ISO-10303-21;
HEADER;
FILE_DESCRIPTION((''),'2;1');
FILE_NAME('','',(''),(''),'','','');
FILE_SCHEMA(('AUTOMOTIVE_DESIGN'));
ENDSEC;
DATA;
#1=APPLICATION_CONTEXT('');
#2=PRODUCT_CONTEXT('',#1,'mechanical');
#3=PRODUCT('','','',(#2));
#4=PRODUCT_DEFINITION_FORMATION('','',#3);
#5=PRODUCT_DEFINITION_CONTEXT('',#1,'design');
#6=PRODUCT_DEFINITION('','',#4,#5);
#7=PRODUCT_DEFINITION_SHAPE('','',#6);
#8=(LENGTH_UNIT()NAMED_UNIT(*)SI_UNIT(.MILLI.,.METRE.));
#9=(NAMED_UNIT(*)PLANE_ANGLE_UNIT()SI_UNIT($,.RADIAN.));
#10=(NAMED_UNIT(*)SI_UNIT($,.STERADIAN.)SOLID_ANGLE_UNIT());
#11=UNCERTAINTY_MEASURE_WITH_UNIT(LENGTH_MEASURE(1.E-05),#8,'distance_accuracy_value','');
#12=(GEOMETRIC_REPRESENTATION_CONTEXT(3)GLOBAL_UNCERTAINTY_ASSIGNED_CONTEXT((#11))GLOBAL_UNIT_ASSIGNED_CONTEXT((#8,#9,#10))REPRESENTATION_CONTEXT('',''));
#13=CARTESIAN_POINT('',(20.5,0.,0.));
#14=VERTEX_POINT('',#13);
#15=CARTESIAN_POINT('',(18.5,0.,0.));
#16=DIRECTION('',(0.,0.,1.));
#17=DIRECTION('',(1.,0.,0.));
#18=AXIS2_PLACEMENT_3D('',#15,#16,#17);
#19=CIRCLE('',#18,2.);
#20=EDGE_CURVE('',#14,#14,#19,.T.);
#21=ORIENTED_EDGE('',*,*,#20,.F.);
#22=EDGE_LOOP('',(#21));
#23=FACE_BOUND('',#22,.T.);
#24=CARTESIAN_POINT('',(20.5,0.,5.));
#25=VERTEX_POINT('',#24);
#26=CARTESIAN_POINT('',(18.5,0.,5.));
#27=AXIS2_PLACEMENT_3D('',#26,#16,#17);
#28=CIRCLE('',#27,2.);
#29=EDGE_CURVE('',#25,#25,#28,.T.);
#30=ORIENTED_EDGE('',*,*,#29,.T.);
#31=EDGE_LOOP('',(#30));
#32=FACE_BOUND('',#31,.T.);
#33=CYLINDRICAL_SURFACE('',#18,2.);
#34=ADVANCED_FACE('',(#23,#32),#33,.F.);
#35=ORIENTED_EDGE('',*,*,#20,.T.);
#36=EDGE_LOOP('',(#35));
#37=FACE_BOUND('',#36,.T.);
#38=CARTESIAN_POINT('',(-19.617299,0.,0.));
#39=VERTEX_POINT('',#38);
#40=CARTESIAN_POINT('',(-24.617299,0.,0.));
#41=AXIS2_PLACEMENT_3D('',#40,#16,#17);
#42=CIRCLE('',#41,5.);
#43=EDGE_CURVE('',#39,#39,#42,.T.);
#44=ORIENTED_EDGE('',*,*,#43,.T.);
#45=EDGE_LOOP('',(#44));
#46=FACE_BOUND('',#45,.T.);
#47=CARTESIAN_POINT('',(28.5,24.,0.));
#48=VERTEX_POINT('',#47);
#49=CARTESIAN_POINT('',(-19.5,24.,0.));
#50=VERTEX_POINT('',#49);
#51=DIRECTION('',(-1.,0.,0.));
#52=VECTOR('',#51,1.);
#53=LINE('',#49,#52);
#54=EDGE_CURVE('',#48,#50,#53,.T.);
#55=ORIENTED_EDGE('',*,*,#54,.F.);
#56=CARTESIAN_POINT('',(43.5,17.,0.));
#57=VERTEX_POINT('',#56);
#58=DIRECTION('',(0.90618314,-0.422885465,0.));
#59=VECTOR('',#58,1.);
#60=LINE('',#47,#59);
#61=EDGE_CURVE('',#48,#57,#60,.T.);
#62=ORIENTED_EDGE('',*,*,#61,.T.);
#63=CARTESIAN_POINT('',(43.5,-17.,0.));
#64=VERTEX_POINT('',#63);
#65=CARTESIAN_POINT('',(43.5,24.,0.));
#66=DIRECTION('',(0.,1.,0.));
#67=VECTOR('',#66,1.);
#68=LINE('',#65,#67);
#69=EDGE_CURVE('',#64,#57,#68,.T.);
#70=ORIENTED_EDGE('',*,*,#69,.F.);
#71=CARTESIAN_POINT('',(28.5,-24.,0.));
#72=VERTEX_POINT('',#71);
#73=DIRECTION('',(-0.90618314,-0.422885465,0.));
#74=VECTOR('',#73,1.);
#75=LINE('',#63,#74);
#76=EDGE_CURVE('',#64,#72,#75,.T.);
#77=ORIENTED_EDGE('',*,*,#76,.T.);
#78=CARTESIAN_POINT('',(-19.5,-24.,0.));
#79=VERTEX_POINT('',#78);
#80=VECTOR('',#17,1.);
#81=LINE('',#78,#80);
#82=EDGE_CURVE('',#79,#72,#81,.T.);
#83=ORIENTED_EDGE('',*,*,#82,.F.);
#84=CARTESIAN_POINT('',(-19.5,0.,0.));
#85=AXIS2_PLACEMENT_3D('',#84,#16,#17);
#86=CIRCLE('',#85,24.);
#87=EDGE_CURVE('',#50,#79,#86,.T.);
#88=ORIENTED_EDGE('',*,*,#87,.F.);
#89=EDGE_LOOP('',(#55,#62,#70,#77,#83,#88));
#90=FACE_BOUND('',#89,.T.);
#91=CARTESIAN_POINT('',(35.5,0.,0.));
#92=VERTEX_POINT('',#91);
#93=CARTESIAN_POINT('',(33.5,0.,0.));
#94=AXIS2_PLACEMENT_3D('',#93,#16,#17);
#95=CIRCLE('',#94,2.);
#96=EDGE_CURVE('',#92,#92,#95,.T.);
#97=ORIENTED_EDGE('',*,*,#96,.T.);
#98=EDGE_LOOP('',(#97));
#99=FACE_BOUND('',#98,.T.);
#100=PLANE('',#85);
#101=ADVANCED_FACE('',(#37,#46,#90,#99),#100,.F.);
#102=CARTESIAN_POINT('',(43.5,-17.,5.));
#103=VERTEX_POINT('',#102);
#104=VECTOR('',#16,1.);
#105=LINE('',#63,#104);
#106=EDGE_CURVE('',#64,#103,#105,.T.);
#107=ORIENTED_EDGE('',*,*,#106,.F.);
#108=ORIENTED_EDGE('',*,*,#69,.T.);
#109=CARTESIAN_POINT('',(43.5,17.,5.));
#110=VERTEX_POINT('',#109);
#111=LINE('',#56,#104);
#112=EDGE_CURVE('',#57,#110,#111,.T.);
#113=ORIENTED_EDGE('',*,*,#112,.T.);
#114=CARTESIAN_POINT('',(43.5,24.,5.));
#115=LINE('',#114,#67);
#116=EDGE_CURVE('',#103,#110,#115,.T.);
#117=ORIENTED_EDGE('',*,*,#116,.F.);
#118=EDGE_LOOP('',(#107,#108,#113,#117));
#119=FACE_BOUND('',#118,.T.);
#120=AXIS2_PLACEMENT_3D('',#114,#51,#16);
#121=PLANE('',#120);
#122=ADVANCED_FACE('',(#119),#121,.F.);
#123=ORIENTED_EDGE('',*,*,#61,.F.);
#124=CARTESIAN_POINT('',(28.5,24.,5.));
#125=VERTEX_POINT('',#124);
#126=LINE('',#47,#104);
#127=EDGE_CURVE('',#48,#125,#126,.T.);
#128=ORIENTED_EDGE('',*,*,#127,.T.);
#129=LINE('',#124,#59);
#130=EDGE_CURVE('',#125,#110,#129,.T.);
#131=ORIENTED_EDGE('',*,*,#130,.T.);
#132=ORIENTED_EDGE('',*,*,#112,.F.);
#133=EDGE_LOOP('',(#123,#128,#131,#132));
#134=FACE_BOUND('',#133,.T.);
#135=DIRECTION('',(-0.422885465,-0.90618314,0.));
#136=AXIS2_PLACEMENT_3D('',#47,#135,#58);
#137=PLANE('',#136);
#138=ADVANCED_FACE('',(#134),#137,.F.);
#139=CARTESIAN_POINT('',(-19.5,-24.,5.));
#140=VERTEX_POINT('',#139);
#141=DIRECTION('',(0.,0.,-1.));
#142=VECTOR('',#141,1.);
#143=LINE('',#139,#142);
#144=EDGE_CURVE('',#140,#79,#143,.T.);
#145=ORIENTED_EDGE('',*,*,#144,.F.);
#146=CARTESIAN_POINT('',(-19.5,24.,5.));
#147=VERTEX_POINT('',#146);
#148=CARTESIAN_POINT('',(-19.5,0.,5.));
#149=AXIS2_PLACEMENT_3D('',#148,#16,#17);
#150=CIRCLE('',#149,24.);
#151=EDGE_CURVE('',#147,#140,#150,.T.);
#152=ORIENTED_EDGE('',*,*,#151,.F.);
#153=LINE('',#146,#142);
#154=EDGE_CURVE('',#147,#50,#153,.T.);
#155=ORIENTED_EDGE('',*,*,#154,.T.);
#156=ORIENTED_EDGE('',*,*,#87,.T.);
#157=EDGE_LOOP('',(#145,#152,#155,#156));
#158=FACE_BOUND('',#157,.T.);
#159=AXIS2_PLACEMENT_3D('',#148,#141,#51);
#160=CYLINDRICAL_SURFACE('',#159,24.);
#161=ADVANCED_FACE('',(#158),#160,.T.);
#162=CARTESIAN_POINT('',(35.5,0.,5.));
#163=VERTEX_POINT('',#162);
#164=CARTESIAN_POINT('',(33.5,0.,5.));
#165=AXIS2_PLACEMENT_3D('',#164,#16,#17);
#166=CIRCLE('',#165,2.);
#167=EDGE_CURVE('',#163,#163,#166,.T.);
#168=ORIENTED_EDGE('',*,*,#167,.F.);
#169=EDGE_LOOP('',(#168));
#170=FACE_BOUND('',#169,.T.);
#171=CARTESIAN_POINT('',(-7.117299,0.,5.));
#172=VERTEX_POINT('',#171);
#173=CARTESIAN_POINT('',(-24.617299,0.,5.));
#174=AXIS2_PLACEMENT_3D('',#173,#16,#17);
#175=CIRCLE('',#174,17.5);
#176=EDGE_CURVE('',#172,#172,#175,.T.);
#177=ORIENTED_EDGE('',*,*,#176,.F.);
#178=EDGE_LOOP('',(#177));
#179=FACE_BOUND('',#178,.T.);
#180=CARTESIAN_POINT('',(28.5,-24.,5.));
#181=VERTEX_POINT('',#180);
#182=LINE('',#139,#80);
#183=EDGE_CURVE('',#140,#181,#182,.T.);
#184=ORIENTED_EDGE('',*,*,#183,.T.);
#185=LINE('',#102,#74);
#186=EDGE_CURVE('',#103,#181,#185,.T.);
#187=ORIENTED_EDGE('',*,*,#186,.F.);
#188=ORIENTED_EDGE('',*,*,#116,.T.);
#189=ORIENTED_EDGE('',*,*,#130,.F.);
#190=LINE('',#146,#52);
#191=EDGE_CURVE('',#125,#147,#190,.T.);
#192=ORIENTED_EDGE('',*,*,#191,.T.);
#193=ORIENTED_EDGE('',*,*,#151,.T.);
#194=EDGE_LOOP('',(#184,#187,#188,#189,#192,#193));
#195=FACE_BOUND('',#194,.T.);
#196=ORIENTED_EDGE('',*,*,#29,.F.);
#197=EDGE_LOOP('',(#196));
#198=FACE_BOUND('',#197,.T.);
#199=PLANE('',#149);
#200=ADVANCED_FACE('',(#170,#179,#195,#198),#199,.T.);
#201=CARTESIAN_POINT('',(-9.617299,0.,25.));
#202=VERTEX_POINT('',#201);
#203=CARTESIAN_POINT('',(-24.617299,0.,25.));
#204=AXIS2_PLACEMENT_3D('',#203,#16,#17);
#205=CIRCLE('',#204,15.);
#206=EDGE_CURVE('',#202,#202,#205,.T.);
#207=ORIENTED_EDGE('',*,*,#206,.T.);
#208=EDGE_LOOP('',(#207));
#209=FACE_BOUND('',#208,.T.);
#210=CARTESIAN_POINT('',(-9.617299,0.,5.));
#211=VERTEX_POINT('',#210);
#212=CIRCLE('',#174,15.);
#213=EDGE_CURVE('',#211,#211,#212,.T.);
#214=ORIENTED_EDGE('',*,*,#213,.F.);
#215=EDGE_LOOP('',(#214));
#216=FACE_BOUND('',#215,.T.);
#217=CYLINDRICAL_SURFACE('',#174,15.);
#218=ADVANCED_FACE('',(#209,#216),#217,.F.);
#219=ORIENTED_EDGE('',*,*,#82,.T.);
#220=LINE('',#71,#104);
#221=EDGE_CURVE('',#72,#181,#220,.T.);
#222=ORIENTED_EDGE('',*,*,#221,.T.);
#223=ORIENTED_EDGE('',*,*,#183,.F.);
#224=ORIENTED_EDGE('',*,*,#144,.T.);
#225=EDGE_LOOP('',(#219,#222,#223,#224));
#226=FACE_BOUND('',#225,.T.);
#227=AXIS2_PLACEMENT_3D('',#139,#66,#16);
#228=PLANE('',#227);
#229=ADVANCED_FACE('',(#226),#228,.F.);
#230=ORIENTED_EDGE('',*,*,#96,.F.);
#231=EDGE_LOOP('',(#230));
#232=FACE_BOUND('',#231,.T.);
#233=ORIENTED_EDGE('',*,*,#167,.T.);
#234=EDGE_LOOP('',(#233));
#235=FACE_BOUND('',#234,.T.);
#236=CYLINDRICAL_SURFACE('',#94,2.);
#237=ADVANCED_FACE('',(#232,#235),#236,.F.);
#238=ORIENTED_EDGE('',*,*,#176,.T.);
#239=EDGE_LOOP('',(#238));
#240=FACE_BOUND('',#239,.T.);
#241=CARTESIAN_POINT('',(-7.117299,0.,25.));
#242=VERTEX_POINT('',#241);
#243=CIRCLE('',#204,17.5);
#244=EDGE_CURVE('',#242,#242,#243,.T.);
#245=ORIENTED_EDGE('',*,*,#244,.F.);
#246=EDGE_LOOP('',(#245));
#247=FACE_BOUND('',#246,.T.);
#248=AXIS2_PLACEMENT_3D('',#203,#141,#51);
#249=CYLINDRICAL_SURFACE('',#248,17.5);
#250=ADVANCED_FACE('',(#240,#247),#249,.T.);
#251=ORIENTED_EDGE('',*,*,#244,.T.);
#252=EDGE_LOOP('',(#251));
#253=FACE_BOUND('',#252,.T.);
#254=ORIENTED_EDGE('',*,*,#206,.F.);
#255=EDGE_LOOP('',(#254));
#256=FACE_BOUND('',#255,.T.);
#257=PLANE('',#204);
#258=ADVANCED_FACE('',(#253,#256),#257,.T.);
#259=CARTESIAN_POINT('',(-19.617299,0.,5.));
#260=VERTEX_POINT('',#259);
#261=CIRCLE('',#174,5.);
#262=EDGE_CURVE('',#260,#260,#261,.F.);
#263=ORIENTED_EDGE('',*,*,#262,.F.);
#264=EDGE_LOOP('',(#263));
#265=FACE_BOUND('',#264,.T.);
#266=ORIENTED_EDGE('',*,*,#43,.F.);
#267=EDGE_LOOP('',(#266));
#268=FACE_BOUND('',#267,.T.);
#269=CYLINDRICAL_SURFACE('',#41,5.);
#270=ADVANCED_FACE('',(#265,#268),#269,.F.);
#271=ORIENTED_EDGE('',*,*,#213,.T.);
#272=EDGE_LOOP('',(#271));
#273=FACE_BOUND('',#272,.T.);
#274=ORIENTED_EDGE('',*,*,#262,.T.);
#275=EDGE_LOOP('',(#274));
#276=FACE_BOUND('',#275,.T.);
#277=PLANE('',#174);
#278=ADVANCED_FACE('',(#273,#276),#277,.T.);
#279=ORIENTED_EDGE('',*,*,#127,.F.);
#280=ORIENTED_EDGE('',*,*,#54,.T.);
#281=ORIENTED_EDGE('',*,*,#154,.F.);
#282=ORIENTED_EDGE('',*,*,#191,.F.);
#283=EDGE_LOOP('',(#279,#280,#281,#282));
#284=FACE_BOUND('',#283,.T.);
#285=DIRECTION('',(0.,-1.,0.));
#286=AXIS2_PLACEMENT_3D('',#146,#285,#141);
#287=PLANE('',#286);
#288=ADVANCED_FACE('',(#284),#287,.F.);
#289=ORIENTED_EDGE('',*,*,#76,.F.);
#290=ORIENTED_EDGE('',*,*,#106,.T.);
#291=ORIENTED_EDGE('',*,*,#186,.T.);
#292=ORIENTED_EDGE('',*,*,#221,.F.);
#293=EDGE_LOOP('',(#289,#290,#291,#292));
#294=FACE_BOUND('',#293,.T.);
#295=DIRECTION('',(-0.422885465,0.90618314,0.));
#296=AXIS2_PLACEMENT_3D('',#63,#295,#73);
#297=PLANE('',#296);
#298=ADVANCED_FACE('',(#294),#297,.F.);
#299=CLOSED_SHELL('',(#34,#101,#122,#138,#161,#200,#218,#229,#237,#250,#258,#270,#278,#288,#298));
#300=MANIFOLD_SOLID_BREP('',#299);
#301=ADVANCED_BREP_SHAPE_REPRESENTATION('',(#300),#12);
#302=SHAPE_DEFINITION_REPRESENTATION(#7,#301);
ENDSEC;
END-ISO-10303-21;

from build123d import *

# Parameters (mm, degrees)
BOSS_EXTRUDE2_DEPTH = 5
SKETCH2_R           = 2
CUT_EXTRUDE1_DEPTH  = 50.932454376
SKETCH3_R           = 5
CUT_EXTRUDE2_DEPTH  = 5
CUT_EXTRUDE5_DEPTH  = 50.932454376
SKETCH10_R          = 17.5
BOSS_EXTRUDE5_DEPTH = 20
SKETCH11_R          = 15
CUT_EXTRUDE6_DEPTH  = 20


with BuildPart() as part:
    # Sketch1 → Boss-Extrude2 (new body)
    with BuildSketch(Plane.XY):
        with BuildLine():
            Line((-19.5, 24), (43.5, 24))
            Line((43.5, 24), (43.5, -24))
            Line((43.5, -24), (-19.5, -24))
            ThreePointArc((-19.5, -24), (-43.5, 0), (-19.5, 24))
        make_face()
    extrude(amount=BOSS_EXTRUDE2_DEPTH)

    # Sketch2 → Cut-Extrude1 (cut, through all)
    with BuildSketch(Plane.XY.offset(5)):
        with Locations((33.5, 0)):
            Circle(SKETCH2_R)
        with Locations((18.5, 0)):
            Circle(SKETCH2_R)
    extrude(amount=-CUT_EXTRUDE1_DEPTH, mode=Mode.SUBTRACT)

    # Sketch3 → Cut-Extrude2 (cut)
    with BuildSketch(Plane.XY.offset(5)):
        with Locations((-24.61729874, 0)):
            Circle(SKETCH3_R)
    extrude(amount=-CUT_EXTRUDE2_DEPTH, mode=Mode.SUBTRACT)

    # Sketch9 → Cut-Extrude5 (cut, through all)
    with BuildSketch(Plane.XY.offset(5)):
        Polygon((28.5, 24), (43.5, 17), (43.5, 24), align=None)
        Polygon((43.5, -17), (28.5, -24), (43.5, -24), align=None)
    extrude(amount=-CUT_EXTRUDE5_DEPTH, mode=Mode.SUBTRACT)

    # Sketch10 → Boss-Extrude5 (add)
    with BuildSketch(Plane.XY.offset(5)):
        with Locations((-24.61729874, 0)):
            Circle(SKETCH10_R)
    extrude(amount=BOSS_EXTRUDE5_DEPTH)

    # Sketch11 → Cut-Extrude6 (cut)
    with BuildSketch(Plane.XY.offset(25)):
        with Locations((-24.61729874, 0)):
            Circle(SKETCH11_R)
    extrude(amount=-CUT_EXTRUDE6_DEPTH, mode=Mode.SUBTRACT)


solid = part.part
